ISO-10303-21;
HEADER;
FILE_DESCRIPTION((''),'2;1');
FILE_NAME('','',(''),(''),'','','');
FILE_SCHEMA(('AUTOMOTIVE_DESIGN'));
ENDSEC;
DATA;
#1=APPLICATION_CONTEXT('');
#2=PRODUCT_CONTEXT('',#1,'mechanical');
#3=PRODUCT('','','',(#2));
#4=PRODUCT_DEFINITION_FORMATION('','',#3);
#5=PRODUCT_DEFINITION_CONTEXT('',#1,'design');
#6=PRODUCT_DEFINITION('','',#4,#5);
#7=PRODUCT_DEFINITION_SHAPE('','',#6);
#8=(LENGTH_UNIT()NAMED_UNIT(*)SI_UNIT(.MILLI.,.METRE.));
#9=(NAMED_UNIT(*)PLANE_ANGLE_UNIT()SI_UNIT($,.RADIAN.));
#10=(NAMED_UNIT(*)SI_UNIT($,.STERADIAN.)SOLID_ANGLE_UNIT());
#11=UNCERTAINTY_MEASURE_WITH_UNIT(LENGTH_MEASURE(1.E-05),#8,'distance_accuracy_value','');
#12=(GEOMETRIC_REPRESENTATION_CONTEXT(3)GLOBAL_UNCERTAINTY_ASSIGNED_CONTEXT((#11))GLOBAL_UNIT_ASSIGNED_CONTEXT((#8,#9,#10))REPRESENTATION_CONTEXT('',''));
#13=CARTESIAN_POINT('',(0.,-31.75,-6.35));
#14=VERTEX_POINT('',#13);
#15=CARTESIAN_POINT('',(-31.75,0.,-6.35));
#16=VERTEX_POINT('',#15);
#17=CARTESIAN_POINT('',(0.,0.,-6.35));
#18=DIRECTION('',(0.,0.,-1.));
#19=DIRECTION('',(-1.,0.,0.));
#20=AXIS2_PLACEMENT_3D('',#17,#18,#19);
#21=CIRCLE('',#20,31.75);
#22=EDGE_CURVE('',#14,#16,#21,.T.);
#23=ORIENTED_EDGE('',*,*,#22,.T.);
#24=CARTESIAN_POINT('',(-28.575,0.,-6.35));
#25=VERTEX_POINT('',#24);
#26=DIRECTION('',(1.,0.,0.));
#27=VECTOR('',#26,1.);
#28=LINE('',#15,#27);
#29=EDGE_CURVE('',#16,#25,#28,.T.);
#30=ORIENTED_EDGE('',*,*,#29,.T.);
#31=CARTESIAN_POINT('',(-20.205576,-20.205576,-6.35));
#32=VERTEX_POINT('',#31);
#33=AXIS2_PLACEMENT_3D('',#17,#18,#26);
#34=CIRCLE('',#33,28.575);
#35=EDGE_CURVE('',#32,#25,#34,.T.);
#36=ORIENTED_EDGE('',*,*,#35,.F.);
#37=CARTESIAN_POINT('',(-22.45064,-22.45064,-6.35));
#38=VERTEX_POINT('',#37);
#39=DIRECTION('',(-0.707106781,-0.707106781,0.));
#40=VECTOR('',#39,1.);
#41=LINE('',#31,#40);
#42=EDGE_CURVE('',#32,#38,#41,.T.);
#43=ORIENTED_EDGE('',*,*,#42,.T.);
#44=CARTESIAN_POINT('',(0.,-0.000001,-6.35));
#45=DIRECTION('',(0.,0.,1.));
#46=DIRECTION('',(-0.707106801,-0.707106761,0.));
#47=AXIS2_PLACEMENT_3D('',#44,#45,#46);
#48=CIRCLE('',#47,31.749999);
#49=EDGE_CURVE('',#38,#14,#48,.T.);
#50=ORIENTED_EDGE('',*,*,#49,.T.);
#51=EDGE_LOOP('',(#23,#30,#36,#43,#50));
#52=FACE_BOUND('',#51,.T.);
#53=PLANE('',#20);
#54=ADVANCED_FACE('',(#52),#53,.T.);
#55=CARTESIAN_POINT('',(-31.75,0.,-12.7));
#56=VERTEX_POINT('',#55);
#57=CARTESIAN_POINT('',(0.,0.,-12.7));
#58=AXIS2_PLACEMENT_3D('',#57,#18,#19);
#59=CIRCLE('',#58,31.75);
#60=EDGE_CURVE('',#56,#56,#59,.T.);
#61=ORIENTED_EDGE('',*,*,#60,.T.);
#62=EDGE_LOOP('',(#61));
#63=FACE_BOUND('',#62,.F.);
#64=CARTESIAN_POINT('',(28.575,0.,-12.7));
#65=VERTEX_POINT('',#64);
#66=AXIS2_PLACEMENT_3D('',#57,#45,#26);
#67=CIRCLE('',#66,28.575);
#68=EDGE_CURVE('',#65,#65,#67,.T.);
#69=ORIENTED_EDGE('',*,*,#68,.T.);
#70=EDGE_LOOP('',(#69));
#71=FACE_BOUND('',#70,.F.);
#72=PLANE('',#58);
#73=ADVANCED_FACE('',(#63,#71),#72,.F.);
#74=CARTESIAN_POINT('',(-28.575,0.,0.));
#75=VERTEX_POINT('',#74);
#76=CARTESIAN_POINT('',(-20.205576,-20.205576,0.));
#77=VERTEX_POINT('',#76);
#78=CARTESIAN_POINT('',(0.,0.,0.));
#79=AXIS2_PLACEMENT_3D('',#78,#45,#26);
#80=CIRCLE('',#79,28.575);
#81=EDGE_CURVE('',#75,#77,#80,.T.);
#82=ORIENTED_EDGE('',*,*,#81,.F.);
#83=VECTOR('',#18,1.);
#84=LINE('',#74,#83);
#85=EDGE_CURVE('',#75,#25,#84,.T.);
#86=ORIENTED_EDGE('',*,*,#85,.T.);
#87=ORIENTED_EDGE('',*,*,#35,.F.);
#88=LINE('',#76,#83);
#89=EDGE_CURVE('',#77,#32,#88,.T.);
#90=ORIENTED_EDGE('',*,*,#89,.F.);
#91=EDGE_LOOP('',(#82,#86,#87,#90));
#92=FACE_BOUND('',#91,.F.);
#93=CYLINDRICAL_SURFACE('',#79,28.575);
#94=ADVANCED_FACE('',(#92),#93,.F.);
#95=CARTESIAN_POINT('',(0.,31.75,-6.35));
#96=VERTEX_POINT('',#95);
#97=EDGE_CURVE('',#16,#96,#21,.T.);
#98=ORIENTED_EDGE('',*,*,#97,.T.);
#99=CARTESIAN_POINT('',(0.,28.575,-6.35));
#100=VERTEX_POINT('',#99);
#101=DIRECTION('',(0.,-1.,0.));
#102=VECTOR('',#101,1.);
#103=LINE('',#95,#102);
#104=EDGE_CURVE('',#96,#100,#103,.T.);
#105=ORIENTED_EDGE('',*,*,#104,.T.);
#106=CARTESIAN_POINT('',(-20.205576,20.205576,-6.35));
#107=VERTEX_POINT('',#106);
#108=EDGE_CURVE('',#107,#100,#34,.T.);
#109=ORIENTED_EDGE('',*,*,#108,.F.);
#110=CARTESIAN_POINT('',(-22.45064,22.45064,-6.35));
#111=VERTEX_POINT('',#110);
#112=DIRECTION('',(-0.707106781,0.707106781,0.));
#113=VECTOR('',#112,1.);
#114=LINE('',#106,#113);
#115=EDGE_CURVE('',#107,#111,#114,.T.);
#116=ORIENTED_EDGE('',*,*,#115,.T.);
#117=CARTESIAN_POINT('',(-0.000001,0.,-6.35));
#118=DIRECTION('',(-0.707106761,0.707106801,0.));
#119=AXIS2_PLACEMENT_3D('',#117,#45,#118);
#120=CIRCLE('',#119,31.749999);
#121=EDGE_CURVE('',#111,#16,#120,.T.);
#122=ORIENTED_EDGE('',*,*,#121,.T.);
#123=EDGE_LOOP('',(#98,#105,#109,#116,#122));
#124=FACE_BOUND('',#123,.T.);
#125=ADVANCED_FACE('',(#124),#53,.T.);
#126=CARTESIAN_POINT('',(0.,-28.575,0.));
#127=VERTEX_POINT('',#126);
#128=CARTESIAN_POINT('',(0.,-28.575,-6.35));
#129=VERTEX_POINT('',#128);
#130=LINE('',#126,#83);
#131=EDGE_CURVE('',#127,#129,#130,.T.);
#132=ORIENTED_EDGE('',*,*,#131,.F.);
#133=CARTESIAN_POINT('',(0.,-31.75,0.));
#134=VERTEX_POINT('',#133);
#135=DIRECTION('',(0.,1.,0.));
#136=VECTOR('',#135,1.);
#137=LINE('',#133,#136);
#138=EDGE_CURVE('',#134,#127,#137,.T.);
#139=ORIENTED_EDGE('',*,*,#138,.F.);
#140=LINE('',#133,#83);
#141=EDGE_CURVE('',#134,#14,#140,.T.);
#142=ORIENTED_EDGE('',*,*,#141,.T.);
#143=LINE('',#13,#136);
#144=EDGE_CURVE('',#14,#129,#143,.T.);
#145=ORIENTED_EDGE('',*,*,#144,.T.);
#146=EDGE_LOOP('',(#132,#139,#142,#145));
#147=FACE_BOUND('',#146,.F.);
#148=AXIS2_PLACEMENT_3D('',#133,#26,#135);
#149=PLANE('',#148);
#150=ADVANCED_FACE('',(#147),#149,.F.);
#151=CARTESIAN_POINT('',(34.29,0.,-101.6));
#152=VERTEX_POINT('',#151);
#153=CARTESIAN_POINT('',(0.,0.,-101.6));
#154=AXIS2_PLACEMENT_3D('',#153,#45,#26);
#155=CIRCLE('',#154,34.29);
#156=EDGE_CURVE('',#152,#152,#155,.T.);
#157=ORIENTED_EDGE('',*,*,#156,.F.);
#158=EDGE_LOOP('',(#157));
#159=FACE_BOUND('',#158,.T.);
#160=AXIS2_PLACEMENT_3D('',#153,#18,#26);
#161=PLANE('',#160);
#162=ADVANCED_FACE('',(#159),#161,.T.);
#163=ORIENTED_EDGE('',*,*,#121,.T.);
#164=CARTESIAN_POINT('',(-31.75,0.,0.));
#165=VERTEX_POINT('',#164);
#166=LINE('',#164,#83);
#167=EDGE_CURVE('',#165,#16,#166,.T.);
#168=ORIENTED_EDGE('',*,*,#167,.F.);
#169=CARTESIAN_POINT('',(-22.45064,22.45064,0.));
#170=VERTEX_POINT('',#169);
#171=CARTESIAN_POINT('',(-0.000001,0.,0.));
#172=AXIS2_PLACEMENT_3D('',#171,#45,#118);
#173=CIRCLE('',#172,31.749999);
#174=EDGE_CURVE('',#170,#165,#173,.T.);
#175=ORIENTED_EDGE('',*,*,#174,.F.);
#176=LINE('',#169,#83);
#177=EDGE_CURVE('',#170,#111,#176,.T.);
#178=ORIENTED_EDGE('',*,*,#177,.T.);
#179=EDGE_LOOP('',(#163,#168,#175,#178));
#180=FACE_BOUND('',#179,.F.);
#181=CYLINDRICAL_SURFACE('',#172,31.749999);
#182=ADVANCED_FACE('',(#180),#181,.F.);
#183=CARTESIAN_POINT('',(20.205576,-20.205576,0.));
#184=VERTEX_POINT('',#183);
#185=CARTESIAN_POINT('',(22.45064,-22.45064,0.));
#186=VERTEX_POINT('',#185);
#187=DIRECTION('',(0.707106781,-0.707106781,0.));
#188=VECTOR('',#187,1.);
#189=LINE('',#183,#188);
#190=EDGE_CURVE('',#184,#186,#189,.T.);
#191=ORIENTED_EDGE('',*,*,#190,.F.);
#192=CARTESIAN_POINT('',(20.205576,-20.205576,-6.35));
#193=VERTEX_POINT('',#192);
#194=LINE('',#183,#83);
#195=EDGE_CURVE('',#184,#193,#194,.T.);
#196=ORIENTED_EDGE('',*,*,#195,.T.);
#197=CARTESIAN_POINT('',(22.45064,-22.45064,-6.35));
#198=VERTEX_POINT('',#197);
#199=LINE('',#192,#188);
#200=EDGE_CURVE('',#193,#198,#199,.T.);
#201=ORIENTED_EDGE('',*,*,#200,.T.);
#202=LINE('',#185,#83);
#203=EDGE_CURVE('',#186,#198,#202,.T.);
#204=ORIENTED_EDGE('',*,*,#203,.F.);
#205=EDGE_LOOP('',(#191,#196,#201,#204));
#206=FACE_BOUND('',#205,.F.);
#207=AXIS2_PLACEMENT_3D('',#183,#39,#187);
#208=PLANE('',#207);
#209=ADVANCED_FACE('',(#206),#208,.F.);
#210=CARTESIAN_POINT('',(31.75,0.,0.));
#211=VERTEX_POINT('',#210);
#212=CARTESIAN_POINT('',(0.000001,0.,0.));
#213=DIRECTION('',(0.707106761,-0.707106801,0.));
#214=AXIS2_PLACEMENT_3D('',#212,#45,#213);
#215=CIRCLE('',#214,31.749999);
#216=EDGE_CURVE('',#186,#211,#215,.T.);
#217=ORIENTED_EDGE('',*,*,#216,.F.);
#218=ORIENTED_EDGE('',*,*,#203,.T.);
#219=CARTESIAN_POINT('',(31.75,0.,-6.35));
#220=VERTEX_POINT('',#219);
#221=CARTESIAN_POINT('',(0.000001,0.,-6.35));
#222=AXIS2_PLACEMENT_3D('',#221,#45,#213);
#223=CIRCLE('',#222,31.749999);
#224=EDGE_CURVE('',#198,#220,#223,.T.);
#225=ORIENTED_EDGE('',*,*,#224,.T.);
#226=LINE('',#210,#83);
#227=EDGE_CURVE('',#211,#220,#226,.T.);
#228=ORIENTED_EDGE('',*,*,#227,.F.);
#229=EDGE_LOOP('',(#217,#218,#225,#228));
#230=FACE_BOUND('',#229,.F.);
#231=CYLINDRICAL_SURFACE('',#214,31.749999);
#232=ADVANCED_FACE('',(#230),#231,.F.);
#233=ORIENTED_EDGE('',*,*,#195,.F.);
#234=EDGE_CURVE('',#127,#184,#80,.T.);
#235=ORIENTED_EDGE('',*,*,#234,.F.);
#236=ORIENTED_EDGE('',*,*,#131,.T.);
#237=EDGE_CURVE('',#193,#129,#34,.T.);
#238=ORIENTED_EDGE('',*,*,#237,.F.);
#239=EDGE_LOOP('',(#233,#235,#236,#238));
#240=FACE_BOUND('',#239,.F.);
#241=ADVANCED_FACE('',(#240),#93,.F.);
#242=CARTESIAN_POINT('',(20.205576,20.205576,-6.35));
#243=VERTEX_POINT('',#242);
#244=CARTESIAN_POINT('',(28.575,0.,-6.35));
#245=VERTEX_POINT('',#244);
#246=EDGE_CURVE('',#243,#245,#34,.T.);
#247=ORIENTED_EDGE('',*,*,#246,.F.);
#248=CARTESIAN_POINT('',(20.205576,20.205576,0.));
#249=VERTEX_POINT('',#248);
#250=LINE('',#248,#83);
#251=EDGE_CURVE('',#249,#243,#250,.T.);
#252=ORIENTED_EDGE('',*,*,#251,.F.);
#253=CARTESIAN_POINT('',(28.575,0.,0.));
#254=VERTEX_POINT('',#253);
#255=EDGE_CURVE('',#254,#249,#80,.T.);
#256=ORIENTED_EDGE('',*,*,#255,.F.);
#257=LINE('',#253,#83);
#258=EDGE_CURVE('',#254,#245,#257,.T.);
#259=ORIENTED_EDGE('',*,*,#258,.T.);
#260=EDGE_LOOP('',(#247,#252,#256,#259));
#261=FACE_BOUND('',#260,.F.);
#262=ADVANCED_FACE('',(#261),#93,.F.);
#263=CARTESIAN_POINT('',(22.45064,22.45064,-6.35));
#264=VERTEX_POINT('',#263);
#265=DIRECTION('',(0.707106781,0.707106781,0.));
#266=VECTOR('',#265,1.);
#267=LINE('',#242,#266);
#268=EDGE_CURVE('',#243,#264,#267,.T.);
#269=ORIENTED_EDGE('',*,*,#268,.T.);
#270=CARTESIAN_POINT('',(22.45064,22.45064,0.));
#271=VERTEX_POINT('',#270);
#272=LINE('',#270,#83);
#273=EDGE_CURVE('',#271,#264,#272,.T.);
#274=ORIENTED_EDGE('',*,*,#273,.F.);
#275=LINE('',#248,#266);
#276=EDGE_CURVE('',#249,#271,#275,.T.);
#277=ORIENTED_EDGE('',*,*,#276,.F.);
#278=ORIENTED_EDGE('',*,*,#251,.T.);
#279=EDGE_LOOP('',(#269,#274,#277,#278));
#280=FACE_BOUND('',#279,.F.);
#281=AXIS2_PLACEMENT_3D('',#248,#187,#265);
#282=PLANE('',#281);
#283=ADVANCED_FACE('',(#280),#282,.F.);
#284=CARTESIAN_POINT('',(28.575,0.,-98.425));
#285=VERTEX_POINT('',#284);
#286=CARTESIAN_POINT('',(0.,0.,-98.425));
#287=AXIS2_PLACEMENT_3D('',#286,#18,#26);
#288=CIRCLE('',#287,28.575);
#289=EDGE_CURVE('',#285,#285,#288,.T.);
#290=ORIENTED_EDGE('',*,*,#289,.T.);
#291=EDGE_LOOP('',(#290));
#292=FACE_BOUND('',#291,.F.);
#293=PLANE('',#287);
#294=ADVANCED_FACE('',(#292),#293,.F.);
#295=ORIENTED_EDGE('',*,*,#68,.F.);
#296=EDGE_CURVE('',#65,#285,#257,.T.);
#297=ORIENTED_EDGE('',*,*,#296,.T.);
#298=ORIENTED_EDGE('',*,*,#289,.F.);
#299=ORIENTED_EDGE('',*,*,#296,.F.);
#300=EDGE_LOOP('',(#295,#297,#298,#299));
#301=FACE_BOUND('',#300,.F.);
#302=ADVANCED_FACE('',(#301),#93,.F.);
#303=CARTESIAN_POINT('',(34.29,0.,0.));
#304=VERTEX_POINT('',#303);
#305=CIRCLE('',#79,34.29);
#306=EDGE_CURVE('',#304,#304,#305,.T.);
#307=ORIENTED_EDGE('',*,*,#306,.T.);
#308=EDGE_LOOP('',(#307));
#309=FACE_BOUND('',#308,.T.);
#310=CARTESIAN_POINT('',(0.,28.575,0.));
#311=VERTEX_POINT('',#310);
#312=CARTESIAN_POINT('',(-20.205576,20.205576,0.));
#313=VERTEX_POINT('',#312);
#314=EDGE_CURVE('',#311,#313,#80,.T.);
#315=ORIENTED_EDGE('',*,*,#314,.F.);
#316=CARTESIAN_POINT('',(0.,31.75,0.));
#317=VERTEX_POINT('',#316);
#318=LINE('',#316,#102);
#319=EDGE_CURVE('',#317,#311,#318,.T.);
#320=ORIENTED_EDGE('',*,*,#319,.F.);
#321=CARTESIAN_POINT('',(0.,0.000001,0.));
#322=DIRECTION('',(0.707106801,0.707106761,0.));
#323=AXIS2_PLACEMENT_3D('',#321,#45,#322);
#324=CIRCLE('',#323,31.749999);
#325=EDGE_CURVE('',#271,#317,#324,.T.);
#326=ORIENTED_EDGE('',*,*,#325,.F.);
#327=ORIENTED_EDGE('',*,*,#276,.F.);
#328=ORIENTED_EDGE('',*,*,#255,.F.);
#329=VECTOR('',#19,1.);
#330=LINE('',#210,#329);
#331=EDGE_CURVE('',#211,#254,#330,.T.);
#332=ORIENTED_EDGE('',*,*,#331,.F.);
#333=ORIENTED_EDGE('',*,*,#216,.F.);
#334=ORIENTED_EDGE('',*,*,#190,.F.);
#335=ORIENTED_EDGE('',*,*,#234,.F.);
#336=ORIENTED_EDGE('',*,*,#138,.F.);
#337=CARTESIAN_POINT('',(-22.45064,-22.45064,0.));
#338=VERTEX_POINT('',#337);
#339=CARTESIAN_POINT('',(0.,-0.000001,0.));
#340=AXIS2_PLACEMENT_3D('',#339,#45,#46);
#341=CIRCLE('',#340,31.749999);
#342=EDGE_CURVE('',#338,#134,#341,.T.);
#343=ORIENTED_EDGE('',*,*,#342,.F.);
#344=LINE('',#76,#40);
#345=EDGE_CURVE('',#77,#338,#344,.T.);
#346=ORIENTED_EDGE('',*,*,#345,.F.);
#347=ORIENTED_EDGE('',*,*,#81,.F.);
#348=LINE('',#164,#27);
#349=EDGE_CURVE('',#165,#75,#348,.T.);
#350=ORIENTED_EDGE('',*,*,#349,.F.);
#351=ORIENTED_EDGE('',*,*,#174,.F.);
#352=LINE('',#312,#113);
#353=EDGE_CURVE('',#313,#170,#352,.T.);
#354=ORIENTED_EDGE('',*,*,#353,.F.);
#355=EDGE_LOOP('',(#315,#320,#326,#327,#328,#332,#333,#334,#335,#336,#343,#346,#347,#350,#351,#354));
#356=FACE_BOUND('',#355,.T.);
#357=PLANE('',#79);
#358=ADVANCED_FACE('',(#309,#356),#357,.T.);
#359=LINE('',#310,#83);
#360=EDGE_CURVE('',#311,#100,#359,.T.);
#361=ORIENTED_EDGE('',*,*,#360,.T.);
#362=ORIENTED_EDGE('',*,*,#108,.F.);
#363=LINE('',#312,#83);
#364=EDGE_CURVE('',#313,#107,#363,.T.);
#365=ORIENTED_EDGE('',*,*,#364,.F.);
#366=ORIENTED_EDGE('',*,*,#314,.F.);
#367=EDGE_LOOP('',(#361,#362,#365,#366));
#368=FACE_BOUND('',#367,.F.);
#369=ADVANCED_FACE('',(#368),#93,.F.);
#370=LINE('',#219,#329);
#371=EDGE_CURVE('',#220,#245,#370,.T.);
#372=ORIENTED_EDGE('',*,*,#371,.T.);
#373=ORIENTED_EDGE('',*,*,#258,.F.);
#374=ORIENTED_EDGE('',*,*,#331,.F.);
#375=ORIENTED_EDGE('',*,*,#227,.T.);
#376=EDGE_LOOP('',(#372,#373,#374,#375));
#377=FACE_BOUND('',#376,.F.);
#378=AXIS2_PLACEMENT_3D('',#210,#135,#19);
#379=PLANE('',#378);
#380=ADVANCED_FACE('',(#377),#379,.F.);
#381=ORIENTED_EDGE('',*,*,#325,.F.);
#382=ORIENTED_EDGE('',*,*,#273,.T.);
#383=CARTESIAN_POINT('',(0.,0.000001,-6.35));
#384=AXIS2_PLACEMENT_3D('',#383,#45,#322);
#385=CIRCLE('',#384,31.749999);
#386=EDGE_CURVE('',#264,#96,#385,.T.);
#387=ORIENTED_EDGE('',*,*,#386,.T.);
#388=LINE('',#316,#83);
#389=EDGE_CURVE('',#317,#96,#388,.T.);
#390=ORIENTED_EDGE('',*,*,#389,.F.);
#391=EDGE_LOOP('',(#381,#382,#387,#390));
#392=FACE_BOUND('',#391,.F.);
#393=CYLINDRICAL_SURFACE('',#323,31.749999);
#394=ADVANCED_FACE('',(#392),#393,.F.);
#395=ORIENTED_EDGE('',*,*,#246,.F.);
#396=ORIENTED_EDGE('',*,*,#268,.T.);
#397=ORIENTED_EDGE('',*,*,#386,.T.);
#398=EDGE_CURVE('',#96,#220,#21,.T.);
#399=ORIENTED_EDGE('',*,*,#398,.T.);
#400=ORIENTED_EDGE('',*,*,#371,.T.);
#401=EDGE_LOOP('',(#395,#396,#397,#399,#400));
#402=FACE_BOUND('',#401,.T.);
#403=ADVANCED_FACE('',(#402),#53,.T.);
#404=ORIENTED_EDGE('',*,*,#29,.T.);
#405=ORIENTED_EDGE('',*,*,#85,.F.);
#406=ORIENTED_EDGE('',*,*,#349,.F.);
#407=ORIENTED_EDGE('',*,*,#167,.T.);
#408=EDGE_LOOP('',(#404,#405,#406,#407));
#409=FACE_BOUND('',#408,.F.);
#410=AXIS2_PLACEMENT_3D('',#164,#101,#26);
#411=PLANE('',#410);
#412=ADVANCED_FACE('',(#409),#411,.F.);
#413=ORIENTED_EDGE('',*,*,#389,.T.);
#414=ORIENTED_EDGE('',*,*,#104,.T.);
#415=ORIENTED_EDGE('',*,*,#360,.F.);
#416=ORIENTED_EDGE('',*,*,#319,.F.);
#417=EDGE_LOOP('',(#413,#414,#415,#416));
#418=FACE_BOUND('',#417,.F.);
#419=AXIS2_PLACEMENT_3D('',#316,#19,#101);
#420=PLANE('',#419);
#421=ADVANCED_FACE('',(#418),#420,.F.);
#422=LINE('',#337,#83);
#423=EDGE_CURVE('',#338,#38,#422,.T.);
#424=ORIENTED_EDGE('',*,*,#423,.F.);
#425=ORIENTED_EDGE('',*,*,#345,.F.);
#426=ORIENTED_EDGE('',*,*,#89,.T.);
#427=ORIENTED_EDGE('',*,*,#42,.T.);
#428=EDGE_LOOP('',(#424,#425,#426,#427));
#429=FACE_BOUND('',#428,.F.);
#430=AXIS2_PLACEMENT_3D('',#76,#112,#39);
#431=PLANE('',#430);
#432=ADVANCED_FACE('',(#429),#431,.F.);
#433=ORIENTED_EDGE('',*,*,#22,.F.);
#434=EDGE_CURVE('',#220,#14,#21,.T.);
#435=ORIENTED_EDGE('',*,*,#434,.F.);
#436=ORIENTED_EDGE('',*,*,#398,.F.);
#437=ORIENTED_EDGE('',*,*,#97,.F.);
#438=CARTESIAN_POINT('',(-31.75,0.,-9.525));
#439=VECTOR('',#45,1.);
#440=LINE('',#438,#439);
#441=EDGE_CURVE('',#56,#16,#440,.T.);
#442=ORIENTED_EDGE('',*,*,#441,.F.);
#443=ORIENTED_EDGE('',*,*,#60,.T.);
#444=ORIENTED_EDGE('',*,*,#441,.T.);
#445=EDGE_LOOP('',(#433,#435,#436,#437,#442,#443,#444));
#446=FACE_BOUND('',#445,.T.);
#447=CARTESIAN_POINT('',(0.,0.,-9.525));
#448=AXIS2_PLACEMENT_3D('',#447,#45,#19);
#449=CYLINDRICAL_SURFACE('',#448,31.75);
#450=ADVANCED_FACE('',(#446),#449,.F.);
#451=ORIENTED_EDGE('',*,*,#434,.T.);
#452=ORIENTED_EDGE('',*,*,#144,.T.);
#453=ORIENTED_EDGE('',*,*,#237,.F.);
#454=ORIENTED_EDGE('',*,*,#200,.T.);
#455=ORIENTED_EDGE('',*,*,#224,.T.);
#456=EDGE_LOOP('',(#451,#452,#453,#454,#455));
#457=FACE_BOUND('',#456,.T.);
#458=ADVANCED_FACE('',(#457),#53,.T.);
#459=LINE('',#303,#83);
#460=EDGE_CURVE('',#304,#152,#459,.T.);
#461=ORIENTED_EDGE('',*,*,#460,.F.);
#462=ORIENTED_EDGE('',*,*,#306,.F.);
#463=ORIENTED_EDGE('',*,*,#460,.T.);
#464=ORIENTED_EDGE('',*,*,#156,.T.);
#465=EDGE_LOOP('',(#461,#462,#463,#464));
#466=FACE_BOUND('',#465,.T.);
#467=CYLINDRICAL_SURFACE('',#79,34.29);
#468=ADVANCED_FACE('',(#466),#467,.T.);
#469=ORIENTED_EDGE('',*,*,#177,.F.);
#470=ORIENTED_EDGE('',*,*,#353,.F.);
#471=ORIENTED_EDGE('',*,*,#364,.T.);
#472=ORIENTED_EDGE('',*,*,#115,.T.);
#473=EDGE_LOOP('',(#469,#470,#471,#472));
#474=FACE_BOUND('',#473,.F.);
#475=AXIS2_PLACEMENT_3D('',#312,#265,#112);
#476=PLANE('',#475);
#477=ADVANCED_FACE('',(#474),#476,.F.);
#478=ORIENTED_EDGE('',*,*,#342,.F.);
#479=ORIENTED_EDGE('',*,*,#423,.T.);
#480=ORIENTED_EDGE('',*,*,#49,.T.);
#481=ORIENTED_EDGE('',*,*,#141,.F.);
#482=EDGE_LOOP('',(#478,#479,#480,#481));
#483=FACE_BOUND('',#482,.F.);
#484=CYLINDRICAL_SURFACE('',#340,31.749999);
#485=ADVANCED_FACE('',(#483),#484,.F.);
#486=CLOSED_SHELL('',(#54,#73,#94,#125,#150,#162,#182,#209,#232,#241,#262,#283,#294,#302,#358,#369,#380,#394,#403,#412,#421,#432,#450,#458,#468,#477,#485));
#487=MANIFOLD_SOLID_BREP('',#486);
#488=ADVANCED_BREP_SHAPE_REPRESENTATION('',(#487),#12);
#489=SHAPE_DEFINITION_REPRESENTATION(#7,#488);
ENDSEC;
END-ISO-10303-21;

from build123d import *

# Parameters (mm, degrees)
F0_R     = 34.29
F0_R_2   = 28.575
F1_DEPTH = 101.6
F2_W     = 3.175
F2_H     = 6.35
F5_DEPTH = 6.35
F6_R     = 28.575
F7_DEPTH = 3.175


with BuildPart() as f1:
    # F0 (on Top) → F1 (new body)
    with BuildSketch(Plane.XY):
        Circle(F0_R)
        Circle(F0_R_2, mode=Mode.SUBTRACT)
    extrude(amount=-F1_DEPTH)

    # F2 (on Front) → F3 (revolve, cut)
    with BuildSketch(Plane.XZ):
        with Locations((-30.1625, -9.525)):
            Rectangle(F2_W, F2_H)
    revolve(axis=Axis((0, 0, -3.175), (0, 0, -1)), mode=Mode.SUBTRACT)

    # F4 (on face) → F5 (cut)
    with BuildSketch(Plane.XY):
        with BuildLine():
            Line((20.205576, 20.205576), (22.45064, 22.45064))
            ThreePointArc((22.45064, 22.45064), (12.150199, 29.333175), (0, 31.75))
            Line((0, 31.75), (0, 28.575))
            ThreePointArc((0, 28.575), (10.935179, 26.399858), (20.205576, 20.205576))
        make_face()
        with BuildLine():
            Line((-20.205576, 20.205576), (-22.45064, 22.45064))
            ThreePointArc((-22.45064, 22.45064), (-29.333175, 12.150199), (-31.75, 0))
            Line((-31.75, 0), (-28.575, 0))
            ThreePointArc((-28.575, 0), (-26.399858, 10.935179), (-20.205576, 20.205576))
        make_face()
        with BuildLine():
            ThreePointArc((-22.45064, -22.45064), (-12.150199, -29.333175), (0, -31.75))
            Line((0, -31.75), (0, -28.575))
            ThreePointArc((0, -28.575), (-10.935179, -26.399858), (-20.205576, -20.205576))
            Line((-20.205576, -20.205576), (-22.45064, -22.45064))
        make_face()
        with BuildLine():
            ThreePointArc((22.45064, -22.45064), (29.333175, -12.150199), (31.75, 0))
            Line((31.75, 0), (28.575, 0))
            ThreePointArc((28.575, 0), (26.399858, -10.935179), (20.205576, -20.205576))
            Line((20.205576, -20.205576), (22.45064, -22.45064))
        make_face()
    extrude(amount=-F5_DEPTH, mode=Mode.SUBTRACT)

    # F6 (on face) → F7 (join)
    with BuildSketch(Plane(origin=(0, 0, -101.6), x_dir=(1, 0, 0), z_dir=(0, 0, -1))):
        Circle(F6_R)
    extrude(amount=-F7_DEPTH)


solid = f1.part
